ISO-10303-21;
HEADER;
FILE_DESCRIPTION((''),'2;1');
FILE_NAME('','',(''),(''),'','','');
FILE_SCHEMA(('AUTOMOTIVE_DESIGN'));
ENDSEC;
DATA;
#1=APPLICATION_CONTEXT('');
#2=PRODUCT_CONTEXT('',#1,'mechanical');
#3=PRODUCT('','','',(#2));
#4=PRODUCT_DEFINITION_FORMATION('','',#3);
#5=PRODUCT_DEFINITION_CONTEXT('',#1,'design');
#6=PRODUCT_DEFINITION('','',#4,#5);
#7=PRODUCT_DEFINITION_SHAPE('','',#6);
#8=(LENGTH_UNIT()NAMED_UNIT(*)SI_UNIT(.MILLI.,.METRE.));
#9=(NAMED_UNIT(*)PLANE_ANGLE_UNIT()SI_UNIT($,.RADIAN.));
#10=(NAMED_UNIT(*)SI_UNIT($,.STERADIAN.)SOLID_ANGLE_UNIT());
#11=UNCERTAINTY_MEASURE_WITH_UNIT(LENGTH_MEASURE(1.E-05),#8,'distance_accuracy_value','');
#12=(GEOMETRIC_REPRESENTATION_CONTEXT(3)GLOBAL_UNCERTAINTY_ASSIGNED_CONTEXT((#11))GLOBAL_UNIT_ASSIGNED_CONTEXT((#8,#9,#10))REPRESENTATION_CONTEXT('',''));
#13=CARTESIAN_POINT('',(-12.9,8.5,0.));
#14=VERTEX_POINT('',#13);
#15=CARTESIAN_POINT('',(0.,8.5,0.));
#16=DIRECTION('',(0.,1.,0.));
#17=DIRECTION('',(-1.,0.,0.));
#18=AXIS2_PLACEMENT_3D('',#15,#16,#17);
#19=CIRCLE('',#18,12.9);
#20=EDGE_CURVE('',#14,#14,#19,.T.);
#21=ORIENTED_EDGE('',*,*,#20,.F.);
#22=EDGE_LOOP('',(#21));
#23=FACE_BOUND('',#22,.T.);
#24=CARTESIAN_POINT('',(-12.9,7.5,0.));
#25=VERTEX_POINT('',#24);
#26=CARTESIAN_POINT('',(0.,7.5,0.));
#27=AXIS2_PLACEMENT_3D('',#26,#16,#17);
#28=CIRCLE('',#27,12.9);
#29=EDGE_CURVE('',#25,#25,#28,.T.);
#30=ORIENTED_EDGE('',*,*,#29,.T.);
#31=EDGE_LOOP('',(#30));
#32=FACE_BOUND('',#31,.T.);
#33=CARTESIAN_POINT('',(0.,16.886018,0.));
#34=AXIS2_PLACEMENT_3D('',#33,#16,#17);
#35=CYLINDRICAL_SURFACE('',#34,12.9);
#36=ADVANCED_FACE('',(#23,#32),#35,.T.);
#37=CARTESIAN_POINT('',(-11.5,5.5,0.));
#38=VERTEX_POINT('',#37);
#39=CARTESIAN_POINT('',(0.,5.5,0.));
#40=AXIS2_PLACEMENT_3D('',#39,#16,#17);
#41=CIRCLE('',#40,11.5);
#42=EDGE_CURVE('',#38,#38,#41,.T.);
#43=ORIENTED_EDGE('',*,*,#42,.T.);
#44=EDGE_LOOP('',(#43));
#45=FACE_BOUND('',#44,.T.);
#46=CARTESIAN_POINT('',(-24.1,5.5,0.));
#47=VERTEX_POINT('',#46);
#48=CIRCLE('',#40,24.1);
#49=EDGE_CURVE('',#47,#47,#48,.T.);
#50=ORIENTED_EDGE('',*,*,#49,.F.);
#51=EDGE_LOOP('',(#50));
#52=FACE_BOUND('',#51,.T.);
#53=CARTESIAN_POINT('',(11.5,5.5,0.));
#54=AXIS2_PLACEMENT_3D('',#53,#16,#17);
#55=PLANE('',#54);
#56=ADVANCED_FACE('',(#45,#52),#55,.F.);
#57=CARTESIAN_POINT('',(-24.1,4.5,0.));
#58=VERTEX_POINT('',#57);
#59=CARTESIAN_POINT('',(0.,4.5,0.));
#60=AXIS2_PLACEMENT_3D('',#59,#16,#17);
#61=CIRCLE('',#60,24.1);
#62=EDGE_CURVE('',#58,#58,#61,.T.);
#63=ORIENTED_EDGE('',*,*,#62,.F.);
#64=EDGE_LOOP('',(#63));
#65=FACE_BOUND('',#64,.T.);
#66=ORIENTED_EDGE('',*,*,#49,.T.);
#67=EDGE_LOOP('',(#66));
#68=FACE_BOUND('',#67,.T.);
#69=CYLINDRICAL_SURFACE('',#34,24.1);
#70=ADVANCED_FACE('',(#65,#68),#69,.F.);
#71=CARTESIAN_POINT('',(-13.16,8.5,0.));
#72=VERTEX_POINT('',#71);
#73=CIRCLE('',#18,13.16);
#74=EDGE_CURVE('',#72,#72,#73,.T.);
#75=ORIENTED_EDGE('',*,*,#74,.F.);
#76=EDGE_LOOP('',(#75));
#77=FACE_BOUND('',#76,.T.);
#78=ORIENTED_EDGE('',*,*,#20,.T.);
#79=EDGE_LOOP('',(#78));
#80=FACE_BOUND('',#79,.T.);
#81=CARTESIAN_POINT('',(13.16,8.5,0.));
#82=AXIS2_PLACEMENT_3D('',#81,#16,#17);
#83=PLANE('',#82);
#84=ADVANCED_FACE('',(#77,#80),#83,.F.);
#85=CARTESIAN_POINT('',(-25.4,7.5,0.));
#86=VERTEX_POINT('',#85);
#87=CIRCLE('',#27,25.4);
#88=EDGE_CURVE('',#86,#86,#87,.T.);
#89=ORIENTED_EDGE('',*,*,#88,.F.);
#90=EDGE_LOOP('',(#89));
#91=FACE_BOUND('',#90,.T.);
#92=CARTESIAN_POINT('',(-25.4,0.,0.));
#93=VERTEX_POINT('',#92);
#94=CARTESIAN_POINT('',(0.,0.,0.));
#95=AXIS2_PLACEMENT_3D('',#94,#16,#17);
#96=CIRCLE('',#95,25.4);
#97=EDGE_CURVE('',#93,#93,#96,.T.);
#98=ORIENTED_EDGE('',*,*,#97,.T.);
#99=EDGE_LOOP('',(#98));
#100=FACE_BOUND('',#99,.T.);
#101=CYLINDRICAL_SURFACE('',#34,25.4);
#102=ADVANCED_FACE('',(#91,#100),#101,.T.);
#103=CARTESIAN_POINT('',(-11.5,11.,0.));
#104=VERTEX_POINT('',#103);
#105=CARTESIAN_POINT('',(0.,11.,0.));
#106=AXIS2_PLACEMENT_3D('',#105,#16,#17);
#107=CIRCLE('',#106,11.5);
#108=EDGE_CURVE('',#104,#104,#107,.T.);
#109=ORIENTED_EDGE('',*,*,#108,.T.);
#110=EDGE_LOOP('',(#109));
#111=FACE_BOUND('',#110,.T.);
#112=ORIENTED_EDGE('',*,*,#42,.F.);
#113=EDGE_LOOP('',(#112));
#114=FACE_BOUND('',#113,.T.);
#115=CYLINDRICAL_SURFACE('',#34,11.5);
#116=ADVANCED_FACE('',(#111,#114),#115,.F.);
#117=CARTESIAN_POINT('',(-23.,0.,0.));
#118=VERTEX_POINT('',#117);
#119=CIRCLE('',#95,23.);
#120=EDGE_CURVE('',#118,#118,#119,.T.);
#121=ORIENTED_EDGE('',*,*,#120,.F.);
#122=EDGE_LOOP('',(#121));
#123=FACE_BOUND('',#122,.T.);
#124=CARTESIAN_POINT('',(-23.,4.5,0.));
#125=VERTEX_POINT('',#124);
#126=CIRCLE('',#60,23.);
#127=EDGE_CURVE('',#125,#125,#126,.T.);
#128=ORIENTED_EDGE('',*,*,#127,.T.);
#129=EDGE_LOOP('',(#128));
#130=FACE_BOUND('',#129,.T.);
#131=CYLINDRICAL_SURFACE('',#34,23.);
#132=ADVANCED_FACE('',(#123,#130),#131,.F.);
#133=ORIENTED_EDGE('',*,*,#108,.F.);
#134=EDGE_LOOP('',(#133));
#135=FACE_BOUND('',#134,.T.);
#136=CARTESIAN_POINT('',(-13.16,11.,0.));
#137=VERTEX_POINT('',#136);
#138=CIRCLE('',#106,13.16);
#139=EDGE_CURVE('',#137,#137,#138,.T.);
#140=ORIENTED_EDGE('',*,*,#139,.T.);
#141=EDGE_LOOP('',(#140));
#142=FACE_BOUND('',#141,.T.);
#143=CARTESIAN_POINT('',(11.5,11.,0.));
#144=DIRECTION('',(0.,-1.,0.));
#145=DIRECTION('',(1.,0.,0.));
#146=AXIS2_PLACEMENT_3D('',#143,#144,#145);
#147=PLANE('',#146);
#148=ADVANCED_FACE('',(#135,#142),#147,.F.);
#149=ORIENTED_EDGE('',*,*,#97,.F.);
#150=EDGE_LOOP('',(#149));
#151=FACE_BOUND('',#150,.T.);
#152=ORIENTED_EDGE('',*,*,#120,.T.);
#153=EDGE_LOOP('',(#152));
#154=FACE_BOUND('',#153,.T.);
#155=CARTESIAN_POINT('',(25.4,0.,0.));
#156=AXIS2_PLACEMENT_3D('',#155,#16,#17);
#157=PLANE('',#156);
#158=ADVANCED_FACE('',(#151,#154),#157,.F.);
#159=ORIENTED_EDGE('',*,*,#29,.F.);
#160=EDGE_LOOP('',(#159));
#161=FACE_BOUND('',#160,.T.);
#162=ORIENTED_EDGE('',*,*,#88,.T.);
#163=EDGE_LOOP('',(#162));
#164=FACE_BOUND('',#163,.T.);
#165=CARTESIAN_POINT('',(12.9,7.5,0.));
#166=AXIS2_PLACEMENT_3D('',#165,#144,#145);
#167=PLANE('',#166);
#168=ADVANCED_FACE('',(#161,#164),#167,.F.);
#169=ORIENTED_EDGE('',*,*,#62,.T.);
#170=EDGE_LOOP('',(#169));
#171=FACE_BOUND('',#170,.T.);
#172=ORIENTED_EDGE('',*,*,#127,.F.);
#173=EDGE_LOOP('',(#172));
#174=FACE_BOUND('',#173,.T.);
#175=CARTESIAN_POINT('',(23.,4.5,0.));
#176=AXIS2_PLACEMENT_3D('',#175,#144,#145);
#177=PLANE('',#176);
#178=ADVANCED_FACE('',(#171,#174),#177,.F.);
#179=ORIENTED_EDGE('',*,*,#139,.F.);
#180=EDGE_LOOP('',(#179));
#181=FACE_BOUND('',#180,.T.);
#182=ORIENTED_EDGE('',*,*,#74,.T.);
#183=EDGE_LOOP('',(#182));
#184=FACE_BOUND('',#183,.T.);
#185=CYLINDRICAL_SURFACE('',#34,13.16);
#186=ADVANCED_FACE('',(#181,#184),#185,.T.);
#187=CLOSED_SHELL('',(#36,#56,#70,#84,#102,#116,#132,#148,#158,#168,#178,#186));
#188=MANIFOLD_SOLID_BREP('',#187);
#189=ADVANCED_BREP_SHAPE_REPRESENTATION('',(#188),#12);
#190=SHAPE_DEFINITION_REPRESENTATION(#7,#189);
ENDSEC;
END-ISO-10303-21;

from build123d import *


with BuildPart() as part:
    # 草图1 → 旋转1 (revolve)
    with BuildSketch(Plane.XY, mode=Mode.PRIVATE) as revolve_1_sk:
        Polygon((23, 0), (23, 4.5), (24.1, 4.5), (24.1, 5.5), (11.5, 5.5), (11.5, 11), (13.16, 11), (13.16, 8.5), (12.9, 8.5), (12.9, 7.5), (25.4, 7.5), (25.4, 0), align=None)
    revolve(revolve_1_sk.sketch.rotate(Axis((0, 16.886018237, 0), (0, -1, 0)), 180), axis=Axis((0, 16.886018237, 0), (0, -1, 0)))  # turned: the seam where the file's is


solid = part.part
